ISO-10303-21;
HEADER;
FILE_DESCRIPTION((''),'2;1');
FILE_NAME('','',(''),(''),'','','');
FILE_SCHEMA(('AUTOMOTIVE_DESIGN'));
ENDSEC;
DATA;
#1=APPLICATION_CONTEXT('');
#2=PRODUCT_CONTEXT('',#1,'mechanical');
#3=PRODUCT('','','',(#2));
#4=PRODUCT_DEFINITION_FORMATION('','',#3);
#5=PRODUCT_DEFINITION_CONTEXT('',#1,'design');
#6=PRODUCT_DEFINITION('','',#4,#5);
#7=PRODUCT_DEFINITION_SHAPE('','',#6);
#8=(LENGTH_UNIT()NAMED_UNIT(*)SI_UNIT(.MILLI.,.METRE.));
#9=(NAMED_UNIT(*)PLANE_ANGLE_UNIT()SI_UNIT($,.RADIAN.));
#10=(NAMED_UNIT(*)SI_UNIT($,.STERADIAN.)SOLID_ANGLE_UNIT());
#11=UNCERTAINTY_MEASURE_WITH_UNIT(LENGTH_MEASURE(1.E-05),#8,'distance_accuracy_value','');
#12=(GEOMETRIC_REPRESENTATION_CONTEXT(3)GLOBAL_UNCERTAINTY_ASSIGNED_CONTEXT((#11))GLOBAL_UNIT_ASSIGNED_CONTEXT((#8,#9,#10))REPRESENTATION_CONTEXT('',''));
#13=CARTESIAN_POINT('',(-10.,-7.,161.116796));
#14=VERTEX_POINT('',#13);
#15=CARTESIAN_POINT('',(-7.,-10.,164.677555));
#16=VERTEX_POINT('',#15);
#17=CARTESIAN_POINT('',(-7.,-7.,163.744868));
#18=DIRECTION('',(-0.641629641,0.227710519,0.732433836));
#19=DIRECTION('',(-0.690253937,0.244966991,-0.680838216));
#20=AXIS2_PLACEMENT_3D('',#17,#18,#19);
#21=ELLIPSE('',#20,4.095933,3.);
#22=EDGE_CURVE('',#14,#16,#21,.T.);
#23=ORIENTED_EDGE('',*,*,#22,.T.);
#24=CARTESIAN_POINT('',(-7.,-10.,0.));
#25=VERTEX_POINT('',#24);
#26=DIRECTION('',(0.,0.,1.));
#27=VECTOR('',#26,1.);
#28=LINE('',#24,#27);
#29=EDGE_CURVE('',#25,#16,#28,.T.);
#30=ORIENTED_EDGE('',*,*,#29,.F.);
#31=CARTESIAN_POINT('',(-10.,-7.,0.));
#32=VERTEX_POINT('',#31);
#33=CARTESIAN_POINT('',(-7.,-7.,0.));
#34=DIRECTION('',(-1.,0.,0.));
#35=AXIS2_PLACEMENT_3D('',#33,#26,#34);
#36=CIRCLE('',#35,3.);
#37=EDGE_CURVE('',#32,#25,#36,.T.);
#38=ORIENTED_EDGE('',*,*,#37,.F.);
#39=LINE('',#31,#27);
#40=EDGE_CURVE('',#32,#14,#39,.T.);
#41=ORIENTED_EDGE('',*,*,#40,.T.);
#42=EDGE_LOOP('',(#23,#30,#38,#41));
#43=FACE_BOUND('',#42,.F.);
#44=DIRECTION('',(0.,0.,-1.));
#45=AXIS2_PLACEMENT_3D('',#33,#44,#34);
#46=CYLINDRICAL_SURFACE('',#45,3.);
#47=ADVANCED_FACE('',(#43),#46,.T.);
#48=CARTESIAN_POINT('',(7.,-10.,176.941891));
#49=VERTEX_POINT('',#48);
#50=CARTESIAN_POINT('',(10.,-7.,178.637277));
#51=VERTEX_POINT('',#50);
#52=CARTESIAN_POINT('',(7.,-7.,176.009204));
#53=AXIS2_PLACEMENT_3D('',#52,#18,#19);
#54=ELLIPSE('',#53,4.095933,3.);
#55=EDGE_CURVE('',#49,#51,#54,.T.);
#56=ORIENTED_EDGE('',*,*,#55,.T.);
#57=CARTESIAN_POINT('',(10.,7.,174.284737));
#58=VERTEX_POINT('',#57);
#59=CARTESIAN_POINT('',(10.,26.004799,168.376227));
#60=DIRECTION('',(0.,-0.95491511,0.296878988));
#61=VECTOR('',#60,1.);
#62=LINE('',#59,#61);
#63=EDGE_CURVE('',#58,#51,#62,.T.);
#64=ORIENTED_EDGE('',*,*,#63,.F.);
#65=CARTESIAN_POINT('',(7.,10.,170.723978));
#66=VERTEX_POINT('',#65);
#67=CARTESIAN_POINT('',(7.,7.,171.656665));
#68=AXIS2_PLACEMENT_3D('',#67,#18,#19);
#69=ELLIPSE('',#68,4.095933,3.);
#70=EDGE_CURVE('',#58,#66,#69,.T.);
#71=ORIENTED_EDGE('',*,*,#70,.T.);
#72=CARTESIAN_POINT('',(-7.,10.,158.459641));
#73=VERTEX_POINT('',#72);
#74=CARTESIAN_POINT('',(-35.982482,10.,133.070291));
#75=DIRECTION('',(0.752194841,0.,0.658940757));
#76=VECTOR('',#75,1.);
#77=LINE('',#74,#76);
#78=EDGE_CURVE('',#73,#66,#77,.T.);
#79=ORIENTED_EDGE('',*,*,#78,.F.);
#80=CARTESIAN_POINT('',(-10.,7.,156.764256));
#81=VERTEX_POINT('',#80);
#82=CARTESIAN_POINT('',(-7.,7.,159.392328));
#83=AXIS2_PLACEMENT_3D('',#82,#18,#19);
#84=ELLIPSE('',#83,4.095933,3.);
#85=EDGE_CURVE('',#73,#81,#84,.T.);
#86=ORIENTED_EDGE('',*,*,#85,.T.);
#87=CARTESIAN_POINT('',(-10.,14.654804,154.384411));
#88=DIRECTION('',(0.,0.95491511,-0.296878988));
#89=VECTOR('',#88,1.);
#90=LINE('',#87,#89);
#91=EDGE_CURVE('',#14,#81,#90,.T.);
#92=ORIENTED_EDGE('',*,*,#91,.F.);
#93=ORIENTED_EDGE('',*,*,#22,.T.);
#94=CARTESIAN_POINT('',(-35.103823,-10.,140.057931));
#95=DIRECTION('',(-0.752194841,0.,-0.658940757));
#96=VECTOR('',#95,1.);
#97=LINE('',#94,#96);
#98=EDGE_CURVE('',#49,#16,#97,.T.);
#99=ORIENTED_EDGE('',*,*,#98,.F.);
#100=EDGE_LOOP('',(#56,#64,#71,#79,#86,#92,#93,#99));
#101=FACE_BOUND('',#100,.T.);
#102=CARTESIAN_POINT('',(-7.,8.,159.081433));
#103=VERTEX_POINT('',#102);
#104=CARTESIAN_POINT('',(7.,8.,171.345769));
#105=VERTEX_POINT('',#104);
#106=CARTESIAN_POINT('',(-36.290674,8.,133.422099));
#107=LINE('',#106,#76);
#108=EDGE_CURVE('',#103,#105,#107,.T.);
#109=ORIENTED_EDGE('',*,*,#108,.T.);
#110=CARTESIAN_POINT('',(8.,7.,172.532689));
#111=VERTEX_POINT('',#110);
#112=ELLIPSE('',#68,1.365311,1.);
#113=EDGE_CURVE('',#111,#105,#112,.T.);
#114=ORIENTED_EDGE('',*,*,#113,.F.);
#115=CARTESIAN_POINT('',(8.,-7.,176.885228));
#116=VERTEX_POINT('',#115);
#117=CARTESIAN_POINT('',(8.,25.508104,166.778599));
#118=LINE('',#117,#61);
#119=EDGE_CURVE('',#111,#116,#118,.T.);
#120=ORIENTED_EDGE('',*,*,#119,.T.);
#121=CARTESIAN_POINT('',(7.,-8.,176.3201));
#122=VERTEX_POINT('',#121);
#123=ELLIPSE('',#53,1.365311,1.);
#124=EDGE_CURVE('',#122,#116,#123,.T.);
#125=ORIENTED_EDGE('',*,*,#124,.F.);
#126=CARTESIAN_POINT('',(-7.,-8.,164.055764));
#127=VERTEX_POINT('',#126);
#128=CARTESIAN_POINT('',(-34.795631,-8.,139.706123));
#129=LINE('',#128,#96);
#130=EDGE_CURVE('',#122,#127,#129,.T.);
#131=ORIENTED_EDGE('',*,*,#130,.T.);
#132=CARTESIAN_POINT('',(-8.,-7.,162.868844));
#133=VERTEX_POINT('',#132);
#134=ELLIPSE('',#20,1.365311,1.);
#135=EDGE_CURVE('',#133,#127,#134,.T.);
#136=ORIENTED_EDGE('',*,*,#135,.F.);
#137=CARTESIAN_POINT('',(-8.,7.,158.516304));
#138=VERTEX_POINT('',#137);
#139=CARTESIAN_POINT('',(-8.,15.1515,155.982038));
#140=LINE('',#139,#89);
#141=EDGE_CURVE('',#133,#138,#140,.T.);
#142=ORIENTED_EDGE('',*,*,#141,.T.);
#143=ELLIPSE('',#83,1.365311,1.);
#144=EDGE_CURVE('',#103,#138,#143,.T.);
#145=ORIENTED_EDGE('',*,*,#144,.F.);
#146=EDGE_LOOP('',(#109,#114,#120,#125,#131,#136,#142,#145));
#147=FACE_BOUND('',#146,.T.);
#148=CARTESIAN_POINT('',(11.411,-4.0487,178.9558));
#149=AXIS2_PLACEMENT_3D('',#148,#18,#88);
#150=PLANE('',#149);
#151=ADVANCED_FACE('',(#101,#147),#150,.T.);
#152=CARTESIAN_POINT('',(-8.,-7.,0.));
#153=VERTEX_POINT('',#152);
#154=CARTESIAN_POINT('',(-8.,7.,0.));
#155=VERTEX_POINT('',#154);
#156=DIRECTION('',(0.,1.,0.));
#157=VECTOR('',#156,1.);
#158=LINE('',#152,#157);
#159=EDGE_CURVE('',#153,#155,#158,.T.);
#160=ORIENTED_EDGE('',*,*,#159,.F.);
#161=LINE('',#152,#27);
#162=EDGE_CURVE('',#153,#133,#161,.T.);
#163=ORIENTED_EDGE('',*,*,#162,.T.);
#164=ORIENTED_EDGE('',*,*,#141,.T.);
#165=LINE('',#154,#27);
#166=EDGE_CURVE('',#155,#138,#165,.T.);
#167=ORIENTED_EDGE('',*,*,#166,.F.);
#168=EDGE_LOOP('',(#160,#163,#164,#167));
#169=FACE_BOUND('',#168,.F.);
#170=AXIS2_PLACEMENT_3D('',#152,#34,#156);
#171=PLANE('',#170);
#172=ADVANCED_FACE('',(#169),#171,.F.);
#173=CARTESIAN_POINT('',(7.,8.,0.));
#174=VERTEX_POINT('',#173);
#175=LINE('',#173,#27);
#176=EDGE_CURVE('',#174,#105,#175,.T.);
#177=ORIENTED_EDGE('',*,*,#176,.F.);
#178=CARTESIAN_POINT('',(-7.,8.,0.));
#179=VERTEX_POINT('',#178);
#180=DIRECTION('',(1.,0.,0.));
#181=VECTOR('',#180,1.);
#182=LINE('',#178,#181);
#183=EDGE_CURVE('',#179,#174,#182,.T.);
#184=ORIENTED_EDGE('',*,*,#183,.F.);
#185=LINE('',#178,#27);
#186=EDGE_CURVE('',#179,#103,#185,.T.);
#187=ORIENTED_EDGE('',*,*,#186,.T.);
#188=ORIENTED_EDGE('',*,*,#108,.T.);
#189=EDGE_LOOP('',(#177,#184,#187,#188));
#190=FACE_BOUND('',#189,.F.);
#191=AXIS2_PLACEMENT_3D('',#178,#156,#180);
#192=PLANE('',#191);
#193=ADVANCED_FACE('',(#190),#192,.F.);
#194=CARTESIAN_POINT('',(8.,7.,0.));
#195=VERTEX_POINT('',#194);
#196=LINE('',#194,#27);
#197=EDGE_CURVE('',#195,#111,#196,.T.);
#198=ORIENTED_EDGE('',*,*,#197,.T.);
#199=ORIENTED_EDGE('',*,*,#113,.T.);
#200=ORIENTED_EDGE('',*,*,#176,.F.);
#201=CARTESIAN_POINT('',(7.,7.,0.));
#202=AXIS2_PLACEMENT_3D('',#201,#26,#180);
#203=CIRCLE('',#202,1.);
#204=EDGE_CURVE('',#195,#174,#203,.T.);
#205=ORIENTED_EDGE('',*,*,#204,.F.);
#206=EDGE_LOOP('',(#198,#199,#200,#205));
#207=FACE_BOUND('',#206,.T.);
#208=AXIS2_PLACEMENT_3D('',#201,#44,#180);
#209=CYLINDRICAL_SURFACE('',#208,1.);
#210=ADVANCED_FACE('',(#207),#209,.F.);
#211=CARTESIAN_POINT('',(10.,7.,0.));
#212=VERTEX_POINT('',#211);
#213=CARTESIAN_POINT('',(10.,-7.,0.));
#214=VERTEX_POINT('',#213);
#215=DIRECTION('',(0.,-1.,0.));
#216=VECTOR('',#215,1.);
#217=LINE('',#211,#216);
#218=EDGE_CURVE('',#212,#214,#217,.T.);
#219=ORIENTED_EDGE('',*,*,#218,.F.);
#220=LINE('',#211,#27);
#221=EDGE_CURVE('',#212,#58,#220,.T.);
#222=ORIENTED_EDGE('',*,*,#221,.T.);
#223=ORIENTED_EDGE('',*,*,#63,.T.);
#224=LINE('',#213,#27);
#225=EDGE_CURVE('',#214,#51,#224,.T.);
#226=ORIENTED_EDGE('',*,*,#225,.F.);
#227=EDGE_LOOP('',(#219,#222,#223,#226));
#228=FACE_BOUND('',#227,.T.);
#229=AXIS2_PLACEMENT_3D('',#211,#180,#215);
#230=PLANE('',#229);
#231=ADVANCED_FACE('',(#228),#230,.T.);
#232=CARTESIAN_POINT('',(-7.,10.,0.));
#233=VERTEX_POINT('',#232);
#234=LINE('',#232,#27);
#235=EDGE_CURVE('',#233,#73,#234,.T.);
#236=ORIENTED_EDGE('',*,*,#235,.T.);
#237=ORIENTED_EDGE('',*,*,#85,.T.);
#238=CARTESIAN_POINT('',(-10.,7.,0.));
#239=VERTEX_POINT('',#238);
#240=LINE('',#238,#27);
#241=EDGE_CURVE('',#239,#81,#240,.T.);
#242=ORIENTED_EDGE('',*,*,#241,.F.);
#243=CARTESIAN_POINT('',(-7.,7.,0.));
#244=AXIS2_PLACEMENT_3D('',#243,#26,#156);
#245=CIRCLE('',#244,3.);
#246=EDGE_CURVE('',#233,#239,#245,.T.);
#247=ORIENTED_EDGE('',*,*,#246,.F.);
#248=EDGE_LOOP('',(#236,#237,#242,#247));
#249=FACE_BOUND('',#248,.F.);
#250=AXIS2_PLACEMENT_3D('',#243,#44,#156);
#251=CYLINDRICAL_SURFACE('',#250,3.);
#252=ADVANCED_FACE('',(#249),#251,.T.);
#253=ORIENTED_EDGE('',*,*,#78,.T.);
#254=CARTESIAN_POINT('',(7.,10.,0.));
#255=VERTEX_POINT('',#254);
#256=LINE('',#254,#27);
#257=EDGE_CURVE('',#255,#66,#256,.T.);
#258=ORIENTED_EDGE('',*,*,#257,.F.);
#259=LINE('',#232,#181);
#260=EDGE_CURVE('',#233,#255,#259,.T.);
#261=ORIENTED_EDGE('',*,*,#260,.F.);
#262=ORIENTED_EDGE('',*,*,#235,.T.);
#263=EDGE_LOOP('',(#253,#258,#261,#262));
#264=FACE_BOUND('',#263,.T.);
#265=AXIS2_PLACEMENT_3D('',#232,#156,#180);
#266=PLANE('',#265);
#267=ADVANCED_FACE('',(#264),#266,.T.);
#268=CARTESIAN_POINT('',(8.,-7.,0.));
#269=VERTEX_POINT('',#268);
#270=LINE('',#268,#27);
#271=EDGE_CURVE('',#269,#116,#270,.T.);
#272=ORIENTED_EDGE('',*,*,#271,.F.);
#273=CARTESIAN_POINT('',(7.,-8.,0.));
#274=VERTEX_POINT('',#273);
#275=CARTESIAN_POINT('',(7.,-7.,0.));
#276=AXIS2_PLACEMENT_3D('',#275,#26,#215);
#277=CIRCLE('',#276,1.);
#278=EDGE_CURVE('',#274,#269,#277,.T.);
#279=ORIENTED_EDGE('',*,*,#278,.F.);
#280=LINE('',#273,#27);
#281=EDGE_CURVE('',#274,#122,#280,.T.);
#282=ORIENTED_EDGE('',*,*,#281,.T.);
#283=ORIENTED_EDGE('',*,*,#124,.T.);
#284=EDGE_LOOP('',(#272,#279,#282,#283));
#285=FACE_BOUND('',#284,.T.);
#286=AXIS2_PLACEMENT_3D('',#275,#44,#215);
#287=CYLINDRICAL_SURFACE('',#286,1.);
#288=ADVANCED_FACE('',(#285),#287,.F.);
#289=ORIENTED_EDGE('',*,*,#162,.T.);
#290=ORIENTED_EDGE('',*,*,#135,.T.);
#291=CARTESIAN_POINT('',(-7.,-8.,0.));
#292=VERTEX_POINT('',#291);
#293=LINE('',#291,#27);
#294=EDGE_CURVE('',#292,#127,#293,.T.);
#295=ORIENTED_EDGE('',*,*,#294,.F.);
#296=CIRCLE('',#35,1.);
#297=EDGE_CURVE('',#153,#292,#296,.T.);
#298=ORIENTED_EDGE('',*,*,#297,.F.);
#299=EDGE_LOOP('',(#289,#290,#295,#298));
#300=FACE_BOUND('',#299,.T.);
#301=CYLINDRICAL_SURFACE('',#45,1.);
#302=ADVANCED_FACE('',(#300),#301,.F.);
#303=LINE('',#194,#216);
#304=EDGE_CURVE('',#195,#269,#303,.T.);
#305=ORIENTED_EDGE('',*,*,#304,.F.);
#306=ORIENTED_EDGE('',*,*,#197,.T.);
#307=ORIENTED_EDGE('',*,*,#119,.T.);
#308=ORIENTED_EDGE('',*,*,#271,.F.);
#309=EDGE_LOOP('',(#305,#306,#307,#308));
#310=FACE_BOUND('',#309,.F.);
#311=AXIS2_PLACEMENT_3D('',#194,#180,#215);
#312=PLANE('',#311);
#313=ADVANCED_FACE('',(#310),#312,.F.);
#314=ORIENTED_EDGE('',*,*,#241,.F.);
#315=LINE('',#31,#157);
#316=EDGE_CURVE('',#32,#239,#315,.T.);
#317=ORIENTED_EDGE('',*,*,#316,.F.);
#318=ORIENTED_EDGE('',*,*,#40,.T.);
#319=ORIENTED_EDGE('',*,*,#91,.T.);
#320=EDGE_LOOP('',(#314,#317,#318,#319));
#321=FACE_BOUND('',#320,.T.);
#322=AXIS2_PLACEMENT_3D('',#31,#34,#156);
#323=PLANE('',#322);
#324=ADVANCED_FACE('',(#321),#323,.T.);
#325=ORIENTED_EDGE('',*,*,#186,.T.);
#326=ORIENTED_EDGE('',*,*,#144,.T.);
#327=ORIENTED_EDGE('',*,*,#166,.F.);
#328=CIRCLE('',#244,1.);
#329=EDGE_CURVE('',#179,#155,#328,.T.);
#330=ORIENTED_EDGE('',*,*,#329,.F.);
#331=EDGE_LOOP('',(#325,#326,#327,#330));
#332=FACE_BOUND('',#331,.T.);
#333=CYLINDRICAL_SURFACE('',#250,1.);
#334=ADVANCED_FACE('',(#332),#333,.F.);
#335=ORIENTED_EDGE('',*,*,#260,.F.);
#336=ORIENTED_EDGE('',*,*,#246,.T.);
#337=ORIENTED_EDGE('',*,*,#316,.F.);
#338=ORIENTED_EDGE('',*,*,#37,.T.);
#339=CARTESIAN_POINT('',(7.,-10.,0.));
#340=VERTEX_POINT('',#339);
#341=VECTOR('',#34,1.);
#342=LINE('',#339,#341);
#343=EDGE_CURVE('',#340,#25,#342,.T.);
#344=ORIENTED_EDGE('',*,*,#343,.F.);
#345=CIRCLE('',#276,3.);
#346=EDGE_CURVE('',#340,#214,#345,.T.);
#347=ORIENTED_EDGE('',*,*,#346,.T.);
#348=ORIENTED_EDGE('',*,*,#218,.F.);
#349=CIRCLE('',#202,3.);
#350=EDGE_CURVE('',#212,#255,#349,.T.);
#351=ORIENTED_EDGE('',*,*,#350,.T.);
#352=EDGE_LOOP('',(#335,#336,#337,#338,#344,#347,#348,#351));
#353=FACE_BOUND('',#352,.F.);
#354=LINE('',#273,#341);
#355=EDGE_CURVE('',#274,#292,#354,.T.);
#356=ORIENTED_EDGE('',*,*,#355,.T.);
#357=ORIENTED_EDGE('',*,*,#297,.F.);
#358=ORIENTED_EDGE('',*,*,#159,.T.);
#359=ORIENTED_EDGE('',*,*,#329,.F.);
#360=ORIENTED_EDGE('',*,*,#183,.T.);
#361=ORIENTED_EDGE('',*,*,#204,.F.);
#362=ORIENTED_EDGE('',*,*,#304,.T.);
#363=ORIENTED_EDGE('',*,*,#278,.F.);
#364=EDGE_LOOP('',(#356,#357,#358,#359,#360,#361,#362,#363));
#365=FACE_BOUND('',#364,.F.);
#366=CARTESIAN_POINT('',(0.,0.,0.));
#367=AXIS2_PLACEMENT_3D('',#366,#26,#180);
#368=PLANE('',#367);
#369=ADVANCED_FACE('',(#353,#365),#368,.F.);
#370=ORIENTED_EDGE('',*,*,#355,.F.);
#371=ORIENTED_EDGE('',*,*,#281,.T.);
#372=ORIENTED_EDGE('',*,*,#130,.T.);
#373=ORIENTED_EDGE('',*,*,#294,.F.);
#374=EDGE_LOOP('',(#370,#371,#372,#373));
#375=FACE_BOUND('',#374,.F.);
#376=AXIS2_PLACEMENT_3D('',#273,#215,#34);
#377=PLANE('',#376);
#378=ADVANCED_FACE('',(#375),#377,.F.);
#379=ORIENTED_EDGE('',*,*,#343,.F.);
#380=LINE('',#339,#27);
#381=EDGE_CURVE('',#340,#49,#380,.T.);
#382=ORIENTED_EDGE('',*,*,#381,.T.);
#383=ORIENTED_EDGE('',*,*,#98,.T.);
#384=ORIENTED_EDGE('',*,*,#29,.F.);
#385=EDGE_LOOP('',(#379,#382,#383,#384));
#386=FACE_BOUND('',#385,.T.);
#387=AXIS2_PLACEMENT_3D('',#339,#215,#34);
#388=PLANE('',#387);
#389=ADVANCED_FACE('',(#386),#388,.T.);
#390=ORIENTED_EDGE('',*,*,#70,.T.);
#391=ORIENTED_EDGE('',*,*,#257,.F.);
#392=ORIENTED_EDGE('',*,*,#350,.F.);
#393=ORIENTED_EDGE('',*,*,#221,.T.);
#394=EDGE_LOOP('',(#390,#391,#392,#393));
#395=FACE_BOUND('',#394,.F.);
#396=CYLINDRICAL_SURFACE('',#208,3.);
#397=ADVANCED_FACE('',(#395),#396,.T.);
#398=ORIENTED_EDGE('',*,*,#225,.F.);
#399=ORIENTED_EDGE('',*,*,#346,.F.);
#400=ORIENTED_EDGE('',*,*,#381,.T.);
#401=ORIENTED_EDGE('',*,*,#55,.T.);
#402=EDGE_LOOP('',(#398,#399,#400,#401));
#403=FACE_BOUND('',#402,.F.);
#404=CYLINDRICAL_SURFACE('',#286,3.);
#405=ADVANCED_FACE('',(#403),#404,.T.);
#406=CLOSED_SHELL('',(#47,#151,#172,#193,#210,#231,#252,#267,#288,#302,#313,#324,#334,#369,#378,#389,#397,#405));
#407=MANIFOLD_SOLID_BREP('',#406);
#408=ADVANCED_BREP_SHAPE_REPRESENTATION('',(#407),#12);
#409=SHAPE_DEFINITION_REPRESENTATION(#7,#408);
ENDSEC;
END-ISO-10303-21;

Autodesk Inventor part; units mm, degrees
ref_plane "Start Plane" through (0, 0, 0) normal (0, 0, 1) x (1, 0, 0)
ref_plane "End Plane" through (0, 0, 179.5695) normal (0, 0, 1) x (1, 0, 0)
sketch "Sketch" plane through (0, 0, 0) normal (0, 0, 1) x (1, 0, 0)
  line L0 (-10, -7) -> (-10, 7)
  line L1 (-7, 10) -> (7, 10)
  line L2 (10, 7) -> (10, -7)
  line L3 (7, -10) -> (-7, -10)
  arc A0 (-10, -7) -> (-7, -10) centre (-7, -7) ccw
  arc A1 (-7, 10) -> (-10, 7) centre (-7, 7) ccw
  arc A2 (10, 7) -> (7, 10) centre (7, 7) ccw
  arc A3 (7, -10) -> (10, -7) centre (7, -7) ccw
  arc A4 (-7, 8) -> (-8, 7) centre (-7, 7) ccw
  line L4 (-7, 8) -> (7, 8)
  arc A5 (8, 7) -> (7, 8) centre (7, 7) ccw
  line L5 (8, 7) -> (8, -7)
  arc A6 (7, -8) -> (8, -7) centre (7, -7) ccw
  line L6 (7, -8) -> (-7, -8)
  arc A7 (-8, -7) -> (-7, -8) centre (-7, -7) ccw
  line L7 (-8, -7) -> (-8, 7)
  line L8 (0, 14.8698) -> (0, -14.8698) construction
  line L9 (-14.8698, 0) -> (14.8698, 0) construction
  dimension "d7" = 3
  dimension "d10" = 20
  dimension "d11" = 20
  dimension "d12" = 2
  dimension "d15" = 10
  dimension "d16" = 10
extrude "Body" add sketch "Sketch" along normal up to surface (179.5695 mm away) from surface at 0
sketch "Sketch3" plane through (0, 0, 0) normal (0, 0, 1) x (1, 0, 0)
  line L0 (0, 0) -> (10, 0)
ref_plane "Work Plane3" through (0, 0, 0) normal (0, -1, 0) x (1, 0, 0)
sketch "Sketch4" plane through (0, 0, 0) normal (0, -1, 0) x (1, 0, 0)
  line L0 (-2, 0) -> (12, 0)
  line L1 (-2, 179.5695) -> (12, 179.5695)
  dimension "d18" = 179.5695
ref_plane "Work Plane4" through (11.411, -4.0487, 178.9558) normal (-0.6416, 0.2277, 0.7324) x (0.7624, 0.0843, 0.6416)
split "Split1" plane through (11.411, -4.0487, 178.9558) removes the side toward (-0.6416, 0.2277, 0.7324)
equation "\"d7\" = G_IR"
equation "\"d10\" = G_H"
equation "\"d11\" = G_W"
equation "\"d12\" = G_T"
equation "\"d15\" = 0.5 * d10"
equation "\"d16\" = 0.5 * d11"
equation "\"d3\" = G_L"
equation "\"G_W\" = 20"
equation "\"G_H\" = 20"
equation "\"G_T\" = 2"
equation "\"G_IR\" = 3"
equation "\"G_L\" = 178.63708"
equation "\"G_OFFSET_START\" = 0"
equation "\"G_OFFSET_END\" = 11.52709"
equation "\"d14\" = G_OFFSET_END + B_L"
equation "\"B_L\" = 168.04246"
properties part number "ISO 12633-2 - 20x20x2 - 178.64" material "Steel, Mild"
